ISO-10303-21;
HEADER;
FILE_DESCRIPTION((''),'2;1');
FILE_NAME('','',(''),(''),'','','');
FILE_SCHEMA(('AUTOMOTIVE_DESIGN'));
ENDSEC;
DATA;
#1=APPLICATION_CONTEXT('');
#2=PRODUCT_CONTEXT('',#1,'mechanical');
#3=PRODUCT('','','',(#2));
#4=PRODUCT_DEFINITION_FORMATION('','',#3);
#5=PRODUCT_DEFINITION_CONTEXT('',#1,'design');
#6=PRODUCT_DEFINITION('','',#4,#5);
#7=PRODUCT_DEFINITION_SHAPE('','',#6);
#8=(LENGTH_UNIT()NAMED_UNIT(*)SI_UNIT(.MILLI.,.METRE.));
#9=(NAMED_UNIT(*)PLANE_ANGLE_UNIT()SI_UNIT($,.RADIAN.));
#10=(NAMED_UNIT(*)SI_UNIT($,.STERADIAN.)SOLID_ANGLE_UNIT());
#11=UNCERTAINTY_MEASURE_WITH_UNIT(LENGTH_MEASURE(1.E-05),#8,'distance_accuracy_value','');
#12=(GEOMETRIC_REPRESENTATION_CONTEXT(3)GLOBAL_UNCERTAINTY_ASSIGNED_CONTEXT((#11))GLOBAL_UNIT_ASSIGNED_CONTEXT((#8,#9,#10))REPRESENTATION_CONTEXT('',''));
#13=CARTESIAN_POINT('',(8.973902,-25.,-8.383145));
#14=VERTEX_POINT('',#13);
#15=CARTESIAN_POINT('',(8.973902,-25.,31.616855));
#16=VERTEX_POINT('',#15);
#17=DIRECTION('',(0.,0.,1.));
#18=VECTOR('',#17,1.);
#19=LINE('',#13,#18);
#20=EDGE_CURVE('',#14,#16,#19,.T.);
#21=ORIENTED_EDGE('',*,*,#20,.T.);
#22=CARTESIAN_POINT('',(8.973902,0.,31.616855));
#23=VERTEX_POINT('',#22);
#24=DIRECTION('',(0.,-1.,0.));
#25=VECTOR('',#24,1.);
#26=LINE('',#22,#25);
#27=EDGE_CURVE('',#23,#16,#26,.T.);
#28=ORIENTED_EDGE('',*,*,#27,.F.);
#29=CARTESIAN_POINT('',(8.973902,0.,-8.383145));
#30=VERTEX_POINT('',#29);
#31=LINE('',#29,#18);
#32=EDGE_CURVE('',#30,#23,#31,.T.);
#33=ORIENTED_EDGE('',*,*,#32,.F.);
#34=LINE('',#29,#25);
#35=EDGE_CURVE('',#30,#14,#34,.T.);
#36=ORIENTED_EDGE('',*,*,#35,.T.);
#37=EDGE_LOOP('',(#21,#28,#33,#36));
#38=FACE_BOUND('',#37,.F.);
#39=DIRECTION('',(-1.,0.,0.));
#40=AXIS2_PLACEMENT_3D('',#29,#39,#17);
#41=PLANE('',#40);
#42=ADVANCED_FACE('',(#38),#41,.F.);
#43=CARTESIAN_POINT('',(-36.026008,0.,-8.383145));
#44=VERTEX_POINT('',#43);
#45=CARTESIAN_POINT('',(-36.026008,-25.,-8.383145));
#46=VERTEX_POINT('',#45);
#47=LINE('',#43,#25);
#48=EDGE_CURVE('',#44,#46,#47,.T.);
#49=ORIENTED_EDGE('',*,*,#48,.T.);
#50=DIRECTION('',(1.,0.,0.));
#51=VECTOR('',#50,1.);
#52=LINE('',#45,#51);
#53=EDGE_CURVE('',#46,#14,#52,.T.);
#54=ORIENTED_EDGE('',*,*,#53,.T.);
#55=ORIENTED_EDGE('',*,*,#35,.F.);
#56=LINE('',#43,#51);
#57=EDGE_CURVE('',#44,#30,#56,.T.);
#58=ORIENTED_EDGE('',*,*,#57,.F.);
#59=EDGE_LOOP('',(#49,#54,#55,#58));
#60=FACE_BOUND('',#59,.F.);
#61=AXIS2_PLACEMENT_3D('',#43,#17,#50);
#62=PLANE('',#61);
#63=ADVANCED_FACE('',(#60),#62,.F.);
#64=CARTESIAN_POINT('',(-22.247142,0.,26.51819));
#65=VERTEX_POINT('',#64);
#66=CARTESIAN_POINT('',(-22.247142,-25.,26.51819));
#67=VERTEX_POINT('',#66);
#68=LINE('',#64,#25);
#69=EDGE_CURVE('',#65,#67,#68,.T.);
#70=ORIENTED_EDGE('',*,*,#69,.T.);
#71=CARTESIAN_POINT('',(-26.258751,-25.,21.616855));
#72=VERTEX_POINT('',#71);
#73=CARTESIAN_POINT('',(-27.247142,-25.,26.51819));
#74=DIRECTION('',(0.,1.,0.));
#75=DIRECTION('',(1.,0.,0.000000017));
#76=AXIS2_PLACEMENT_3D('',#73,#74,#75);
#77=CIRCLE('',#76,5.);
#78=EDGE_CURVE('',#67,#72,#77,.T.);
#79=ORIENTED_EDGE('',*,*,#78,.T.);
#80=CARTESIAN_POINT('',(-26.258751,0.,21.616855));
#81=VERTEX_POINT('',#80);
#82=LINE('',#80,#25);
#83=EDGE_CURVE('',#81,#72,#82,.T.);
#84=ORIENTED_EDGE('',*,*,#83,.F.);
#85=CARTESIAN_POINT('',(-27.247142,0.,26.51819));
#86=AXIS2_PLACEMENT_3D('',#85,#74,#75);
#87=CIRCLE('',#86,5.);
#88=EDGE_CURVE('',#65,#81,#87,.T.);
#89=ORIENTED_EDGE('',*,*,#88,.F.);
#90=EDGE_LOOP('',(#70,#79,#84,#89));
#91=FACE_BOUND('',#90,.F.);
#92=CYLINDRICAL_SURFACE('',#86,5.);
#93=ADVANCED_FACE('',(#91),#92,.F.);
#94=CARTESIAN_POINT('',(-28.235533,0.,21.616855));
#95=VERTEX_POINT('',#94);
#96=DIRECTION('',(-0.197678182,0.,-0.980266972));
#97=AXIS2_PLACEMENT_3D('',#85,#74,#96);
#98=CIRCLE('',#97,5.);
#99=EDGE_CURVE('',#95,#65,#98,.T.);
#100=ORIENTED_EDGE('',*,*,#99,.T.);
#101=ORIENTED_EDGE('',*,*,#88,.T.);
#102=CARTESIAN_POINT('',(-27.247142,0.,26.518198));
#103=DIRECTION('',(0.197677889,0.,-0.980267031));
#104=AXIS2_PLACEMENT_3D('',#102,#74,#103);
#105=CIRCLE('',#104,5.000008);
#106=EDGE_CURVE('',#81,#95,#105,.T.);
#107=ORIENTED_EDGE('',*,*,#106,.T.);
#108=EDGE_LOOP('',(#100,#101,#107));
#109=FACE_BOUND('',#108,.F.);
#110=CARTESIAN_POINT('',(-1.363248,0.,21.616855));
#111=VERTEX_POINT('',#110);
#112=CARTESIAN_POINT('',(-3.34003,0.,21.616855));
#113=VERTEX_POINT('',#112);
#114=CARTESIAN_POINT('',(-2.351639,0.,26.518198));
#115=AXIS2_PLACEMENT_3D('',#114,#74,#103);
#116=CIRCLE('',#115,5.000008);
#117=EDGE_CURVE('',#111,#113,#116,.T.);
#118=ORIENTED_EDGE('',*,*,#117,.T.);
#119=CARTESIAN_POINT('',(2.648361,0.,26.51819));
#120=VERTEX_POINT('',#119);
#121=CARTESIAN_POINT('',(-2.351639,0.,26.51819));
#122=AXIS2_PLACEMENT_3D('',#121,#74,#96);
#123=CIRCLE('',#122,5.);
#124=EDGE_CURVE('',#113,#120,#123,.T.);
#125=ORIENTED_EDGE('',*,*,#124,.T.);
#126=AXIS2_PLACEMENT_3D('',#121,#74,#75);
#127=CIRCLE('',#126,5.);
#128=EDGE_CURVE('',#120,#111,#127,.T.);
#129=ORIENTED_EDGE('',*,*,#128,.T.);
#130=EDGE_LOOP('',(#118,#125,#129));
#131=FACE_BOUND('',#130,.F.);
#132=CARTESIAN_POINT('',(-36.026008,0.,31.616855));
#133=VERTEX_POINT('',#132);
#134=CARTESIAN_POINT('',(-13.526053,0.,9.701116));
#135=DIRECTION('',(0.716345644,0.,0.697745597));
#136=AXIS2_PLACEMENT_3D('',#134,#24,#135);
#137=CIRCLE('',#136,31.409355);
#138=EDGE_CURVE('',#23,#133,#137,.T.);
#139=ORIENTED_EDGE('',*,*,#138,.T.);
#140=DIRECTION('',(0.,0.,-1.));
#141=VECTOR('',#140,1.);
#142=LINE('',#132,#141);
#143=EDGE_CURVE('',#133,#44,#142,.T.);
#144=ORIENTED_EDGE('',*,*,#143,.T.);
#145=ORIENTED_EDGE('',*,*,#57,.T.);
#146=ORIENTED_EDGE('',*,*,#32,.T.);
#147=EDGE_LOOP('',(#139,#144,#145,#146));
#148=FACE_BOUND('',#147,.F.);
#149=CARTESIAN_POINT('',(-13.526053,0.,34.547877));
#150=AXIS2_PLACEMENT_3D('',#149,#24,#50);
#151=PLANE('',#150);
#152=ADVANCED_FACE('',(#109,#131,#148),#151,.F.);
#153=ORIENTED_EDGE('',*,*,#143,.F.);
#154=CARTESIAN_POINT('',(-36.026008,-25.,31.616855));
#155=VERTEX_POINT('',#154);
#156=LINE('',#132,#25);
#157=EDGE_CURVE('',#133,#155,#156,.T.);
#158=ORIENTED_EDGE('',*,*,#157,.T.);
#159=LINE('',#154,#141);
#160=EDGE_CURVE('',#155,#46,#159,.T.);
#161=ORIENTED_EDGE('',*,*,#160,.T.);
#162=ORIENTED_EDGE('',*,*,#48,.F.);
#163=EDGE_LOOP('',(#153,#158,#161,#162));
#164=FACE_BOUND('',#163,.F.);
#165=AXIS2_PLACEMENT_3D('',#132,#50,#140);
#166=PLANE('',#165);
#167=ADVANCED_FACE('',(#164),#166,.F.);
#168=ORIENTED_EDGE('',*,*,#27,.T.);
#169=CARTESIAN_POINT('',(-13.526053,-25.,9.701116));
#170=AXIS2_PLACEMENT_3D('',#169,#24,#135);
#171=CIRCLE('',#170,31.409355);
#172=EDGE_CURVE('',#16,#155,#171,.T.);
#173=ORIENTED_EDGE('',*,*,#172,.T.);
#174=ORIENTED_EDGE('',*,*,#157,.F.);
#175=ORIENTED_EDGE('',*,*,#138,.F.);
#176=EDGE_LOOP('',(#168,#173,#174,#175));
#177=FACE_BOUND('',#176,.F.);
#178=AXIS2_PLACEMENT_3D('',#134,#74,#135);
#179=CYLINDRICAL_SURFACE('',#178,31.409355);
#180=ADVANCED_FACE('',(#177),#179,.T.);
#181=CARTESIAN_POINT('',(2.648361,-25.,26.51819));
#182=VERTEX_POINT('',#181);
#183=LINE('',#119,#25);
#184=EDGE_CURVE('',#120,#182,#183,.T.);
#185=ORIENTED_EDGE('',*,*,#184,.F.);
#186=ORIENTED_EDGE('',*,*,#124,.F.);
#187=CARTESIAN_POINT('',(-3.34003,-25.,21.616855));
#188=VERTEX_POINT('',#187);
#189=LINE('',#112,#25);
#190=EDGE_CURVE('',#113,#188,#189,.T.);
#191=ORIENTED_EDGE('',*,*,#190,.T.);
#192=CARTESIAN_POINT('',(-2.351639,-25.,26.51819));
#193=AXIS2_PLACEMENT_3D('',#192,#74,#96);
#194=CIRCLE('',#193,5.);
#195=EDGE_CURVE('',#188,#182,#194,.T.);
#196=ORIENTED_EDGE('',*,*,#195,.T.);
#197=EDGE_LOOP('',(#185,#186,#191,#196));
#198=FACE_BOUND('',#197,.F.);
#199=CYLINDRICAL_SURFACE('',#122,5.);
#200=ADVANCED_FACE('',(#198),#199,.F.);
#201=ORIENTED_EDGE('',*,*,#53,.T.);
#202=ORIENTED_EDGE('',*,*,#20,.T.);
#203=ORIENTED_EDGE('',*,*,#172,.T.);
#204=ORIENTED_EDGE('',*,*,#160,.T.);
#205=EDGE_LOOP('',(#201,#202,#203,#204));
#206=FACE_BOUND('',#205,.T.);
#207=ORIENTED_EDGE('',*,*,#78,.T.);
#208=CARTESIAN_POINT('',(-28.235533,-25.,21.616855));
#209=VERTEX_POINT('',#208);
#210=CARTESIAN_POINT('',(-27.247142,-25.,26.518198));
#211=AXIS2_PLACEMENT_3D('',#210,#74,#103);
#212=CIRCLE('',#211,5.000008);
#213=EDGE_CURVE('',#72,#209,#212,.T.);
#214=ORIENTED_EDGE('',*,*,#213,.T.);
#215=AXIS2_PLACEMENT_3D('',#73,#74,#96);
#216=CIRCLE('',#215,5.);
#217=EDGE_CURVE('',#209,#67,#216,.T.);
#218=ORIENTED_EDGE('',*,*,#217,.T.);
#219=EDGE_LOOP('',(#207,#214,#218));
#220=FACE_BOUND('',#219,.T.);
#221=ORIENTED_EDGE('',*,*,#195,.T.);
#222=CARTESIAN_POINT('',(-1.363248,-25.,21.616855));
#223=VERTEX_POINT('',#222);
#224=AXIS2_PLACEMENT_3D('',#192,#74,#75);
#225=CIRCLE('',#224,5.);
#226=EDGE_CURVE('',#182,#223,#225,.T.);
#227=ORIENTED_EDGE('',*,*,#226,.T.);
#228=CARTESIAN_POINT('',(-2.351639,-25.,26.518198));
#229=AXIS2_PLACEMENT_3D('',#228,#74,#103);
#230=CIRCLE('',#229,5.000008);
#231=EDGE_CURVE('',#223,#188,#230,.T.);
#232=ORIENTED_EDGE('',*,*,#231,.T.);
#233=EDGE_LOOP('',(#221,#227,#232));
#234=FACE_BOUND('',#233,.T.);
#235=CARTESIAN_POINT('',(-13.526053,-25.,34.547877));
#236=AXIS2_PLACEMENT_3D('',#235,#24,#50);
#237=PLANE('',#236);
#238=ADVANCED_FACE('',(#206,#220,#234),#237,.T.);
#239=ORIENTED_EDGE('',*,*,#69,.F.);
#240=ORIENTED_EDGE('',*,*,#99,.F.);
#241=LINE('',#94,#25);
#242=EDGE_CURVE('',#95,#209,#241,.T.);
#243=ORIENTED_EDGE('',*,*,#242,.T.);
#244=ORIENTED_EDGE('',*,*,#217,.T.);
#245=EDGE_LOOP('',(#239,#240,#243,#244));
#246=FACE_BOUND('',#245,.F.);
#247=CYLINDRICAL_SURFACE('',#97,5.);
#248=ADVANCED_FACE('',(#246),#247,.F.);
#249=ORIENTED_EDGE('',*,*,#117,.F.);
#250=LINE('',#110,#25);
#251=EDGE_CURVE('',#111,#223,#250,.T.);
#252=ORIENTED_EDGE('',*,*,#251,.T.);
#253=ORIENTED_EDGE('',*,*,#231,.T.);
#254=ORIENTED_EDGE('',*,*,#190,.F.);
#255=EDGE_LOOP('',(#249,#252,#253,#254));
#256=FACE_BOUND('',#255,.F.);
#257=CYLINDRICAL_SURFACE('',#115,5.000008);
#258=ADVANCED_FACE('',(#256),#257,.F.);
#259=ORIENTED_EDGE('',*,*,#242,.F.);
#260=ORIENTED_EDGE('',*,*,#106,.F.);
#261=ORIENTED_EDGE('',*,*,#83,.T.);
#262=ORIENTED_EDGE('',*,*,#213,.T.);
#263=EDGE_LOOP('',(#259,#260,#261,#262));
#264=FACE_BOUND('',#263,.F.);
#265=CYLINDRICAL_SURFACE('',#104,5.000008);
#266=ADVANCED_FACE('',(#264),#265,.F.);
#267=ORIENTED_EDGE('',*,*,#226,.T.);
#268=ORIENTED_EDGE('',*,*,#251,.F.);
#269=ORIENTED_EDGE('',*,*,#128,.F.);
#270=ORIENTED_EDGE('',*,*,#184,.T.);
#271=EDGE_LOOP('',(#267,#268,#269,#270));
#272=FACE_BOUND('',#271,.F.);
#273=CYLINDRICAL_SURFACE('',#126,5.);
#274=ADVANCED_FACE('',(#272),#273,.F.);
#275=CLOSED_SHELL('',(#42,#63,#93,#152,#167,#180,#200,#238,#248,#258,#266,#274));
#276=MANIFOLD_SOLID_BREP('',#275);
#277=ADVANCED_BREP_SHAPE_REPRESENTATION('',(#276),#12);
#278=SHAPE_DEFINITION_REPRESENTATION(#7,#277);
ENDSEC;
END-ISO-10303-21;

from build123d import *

# Parameters (mm, degrees)
F1_DEPTH = 25


with BuildPart() as f1:
    # F0 (on Front) → F1 (new body)
    with BuildSketch(Plane.XZ):
        with BuildLine():
            ThreePointArc((8.973902, 31.616855), (-13.526053, 41.110471), (-36.026008, 31.616855))
            Line((-36.026008, 31.616855), (8.973902, 31.616855))
        make_face()
        with BuildLine():
            Line((8.973902, 31.616855), (-36.026008, 31.616855))
            Line((-36.026008, 31.616855), (-36.026008, 21.616855))
            Line((-36.026008, 21.616855), (-28.235533, 21.616855))
            ThreePointArc((-28.235533, 21.616855), (-30.414005, 30.387425), (-22.247142, 26.51819))
            ThreePointArc((-22.247142, 26.51819), (-23.377907, 23.351327), (-26.258751, 21.616855))
            Line((-26.258751, 21.616855), (-3.34003, 21.616855))
            ThreePointArc((-3.34003, 21.616855), (-5.518502, 30.387425), (2.648361, 26.51819))
            ThreePointArc((2.648361, 26.51819), (1.517596, 23.351327), (-1.363248, 21.616855))
            Line((-1.363248, 21.616855), (8.973902, 21.616855))
            Line((8.973902, 21.616855), (8.973902, 31.616855))
        make_face()
        with BuildLine():
            Line((-28.235533, 21.616855), (-36.026008, 21.616855))
            Line((-36.026008, 21.616855), (-36.026008, -8.383145))
            Line((-36.026008, -8.383145), (8.973902, -8.383145))
            Line((8.973902, -8.383145), (8.973902, 21.616855))
            Line((8.973902, 21.616855), (-1.363248, 21.616855))
            ThreePointArc((-1.363248, 21.616855), (-2.351639, 21.51819), (-3.34003, 21.616855))
            Line((-3.34003, 21.616855), (-26.258751, 21.616855))
            ThreePointArc((-26.258751, 21.616855), (-27.247142, 21.51819), (-28.235533, 21.616855))
        make_face()
    extrude(amount=F1_DEPTH)


solid = f1.part
